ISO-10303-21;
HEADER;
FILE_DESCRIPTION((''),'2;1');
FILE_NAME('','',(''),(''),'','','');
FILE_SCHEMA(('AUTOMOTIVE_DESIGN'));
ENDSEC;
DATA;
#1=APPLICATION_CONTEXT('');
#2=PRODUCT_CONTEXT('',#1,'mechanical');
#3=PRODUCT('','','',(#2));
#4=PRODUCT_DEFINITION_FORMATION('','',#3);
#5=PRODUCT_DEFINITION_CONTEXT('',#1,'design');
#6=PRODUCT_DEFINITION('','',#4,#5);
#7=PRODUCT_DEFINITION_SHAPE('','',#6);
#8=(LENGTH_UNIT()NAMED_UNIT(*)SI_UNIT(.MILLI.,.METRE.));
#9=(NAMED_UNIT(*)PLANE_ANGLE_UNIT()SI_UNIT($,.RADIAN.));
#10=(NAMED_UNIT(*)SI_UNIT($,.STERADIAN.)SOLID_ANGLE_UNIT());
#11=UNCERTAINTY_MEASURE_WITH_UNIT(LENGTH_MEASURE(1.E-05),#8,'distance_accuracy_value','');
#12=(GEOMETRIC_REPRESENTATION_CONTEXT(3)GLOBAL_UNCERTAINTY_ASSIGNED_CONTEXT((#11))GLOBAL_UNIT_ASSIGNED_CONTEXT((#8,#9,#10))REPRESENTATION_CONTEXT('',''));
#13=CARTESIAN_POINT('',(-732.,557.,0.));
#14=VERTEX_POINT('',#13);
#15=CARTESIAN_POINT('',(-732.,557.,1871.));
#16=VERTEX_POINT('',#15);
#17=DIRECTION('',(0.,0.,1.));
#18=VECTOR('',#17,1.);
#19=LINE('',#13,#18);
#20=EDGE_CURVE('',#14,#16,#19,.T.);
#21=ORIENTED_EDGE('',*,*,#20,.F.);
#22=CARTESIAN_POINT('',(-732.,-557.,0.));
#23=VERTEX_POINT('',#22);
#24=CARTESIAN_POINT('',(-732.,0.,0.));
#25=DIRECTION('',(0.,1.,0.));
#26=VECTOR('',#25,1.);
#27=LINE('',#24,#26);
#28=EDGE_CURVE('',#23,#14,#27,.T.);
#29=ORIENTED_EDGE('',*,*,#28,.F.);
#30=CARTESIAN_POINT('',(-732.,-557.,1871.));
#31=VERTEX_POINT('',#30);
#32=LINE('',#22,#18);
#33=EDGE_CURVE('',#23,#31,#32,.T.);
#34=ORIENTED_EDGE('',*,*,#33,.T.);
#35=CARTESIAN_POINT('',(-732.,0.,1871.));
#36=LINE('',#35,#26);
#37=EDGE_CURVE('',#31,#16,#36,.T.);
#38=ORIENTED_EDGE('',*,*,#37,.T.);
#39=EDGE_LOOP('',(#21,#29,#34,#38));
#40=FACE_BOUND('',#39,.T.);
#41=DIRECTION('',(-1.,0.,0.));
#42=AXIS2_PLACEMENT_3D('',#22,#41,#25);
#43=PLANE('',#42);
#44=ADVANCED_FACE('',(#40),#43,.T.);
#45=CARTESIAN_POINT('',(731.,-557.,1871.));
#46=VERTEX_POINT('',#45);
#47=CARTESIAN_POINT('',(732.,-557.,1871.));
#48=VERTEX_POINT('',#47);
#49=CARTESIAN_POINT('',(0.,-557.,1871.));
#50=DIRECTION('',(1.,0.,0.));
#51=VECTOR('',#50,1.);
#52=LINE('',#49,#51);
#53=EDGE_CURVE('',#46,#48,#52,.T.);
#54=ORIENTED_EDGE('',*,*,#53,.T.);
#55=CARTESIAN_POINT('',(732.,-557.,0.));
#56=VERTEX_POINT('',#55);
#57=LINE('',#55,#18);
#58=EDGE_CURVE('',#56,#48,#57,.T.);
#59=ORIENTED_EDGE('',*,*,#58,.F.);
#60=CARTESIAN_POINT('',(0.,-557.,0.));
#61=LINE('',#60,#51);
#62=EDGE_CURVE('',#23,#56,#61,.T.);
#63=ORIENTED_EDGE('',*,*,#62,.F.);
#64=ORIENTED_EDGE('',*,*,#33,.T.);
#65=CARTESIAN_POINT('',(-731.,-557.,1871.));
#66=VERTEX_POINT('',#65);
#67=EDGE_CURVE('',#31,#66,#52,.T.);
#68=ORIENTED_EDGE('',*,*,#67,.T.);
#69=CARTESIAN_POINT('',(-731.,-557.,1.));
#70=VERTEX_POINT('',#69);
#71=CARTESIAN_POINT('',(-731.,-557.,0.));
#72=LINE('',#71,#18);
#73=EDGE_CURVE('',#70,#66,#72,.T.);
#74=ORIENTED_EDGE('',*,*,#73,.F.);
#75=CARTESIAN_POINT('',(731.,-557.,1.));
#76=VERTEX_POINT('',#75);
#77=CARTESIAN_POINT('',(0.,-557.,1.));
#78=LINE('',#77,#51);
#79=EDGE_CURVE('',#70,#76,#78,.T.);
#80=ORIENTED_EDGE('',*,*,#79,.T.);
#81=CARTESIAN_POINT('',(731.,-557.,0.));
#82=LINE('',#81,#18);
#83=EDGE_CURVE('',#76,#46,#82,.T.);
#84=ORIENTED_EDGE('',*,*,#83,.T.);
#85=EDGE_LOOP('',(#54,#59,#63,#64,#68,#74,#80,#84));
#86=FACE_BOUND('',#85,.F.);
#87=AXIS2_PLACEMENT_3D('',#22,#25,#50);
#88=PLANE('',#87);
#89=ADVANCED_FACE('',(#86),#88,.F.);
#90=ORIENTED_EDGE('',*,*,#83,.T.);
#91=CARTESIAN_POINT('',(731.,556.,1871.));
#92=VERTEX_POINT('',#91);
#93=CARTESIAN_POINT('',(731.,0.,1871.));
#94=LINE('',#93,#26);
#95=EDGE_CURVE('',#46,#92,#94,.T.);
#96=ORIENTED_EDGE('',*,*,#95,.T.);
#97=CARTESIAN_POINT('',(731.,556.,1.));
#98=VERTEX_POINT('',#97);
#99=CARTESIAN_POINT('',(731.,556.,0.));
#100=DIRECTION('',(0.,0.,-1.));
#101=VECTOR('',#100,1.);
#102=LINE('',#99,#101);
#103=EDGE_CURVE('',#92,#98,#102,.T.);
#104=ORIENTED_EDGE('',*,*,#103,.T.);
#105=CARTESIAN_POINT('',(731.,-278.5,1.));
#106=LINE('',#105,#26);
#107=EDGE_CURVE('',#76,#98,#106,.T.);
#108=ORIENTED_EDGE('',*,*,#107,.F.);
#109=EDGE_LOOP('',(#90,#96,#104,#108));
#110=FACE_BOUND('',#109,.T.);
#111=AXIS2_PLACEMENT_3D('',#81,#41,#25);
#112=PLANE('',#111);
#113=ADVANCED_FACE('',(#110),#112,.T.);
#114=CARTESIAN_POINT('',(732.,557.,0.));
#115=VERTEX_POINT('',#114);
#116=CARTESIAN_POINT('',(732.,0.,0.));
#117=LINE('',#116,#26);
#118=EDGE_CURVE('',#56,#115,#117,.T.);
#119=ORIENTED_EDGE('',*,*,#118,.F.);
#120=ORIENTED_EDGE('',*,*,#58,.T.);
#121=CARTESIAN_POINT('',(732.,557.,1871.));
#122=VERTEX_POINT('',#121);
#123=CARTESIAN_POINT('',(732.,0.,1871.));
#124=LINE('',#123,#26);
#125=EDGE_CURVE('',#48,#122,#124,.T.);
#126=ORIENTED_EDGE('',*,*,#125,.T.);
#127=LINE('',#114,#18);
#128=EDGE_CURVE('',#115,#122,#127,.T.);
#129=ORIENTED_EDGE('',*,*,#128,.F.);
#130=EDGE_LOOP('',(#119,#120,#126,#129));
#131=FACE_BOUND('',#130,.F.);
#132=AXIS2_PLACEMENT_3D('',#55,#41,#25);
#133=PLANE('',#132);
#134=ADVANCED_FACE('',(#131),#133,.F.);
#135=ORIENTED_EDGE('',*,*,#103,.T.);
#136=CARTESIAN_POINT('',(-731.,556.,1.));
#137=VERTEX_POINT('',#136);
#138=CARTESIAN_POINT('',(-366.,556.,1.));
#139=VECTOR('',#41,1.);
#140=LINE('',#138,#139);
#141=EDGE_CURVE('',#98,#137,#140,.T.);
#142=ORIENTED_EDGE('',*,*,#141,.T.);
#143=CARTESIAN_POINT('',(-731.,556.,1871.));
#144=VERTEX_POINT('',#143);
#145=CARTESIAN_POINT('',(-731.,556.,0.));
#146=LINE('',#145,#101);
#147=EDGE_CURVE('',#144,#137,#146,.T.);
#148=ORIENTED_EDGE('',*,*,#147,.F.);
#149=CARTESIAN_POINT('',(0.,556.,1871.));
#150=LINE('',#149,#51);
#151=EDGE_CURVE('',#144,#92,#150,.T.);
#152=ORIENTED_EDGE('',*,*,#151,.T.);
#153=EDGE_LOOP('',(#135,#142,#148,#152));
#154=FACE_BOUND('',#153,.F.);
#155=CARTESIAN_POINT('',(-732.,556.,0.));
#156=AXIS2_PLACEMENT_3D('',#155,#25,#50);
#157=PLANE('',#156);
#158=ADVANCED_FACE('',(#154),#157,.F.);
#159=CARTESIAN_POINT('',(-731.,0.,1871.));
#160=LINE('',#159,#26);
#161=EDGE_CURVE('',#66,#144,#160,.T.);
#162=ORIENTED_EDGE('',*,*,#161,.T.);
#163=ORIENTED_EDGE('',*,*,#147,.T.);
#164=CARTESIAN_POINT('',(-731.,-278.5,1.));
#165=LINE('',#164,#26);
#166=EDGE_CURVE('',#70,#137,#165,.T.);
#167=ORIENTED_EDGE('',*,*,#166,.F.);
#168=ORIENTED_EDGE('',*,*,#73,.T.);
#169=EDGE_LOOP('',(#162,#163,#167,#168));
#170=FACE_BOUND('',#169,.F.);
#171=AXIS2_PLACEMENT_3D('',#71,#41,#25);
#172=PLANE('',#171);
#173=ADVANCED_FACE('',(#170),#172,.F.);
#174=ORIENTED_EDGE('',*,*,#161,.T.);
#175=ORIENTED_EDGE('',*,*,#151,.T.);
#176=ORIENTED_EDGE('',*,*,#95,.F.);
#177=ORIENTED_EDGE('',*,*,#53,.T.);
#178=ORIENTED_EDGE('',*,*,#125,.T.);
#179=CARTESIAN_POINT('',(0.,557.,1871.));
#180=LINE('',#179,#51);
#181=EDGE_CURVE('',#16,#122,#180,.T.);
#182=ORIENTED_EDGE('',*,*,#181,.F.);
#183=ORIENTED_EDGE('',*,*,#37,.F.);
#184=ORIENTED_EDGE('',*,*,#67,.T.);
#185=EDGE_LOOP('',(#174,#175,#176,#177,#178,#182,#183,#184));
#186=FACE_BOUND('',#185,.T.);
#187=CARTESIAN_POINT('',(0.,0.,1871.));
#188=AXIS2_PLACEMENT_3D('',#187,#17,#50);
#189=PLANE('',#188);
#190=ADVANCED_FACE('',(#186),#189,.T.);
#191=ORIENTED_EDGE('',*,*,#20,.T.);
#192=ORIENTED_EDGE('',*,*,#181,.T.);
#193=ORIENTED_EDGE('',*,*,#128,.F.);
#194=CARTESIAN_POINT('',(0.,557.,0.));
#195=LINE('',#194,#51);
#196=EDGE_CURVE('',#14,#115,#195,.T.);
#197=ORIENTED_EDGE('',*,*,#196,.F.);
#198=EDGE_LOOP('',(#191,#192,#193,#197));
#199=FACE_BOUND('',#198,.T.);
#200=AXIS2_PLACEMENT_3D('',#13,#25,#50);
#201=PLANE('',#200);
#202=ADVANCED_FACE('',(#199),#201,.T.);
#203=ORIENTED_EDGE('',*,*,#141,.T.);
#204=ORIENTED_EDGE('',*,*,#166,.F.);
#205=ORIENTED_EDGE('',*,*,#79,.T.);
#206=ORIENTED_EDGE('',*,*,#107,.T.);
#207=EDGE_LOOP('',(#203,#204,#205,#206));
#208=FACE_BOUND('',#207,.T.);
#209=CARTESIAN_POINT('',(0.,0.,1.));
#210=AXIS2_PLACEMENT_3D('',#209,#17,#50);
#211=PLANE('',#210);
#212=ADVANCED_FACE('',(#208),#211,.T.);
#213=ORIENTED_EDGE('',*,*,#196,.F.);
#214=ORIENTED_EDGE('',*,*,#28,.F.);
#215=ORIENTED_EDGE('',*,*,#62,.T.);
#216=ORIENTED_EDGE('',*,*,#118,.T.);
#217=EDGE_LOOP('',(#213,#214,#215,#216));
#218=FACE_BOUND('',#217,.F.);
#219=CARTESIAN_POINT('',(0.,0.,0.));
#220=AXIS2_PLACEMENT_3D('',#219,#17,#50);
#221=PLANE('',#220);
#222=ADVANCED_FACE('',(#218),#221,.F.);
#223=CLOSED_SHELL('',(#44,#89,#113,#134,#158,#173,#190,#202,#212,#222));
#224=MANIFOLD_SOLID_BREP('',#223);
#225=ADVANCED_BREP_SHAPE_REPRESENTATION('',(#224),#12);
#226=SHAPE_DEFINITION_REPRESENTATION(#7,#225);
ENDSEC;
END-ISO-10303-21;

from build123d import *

# Parameters (mm, degrees)
F0_W     = 1464
F0_H     = 1114
F1_DEPTH = 1871
F2_T     = -1


with BuildPart() as f1:
    # F0 (on Top) → F1 (new body)
    with BuildSketch(Plane.XY):
        Rectangle(F0_W, F0_H)
    extrude(amount=F1_DEPTH)

    # F2
    f2_openings = [f1.faces().sort_by_distance(p)[0] for p in [
        (0, 0, 1871),
        (0, -557, 935.5),
    ]]
    offset(amount=F2_T, openings=f2_openings)


solid = f1.part
